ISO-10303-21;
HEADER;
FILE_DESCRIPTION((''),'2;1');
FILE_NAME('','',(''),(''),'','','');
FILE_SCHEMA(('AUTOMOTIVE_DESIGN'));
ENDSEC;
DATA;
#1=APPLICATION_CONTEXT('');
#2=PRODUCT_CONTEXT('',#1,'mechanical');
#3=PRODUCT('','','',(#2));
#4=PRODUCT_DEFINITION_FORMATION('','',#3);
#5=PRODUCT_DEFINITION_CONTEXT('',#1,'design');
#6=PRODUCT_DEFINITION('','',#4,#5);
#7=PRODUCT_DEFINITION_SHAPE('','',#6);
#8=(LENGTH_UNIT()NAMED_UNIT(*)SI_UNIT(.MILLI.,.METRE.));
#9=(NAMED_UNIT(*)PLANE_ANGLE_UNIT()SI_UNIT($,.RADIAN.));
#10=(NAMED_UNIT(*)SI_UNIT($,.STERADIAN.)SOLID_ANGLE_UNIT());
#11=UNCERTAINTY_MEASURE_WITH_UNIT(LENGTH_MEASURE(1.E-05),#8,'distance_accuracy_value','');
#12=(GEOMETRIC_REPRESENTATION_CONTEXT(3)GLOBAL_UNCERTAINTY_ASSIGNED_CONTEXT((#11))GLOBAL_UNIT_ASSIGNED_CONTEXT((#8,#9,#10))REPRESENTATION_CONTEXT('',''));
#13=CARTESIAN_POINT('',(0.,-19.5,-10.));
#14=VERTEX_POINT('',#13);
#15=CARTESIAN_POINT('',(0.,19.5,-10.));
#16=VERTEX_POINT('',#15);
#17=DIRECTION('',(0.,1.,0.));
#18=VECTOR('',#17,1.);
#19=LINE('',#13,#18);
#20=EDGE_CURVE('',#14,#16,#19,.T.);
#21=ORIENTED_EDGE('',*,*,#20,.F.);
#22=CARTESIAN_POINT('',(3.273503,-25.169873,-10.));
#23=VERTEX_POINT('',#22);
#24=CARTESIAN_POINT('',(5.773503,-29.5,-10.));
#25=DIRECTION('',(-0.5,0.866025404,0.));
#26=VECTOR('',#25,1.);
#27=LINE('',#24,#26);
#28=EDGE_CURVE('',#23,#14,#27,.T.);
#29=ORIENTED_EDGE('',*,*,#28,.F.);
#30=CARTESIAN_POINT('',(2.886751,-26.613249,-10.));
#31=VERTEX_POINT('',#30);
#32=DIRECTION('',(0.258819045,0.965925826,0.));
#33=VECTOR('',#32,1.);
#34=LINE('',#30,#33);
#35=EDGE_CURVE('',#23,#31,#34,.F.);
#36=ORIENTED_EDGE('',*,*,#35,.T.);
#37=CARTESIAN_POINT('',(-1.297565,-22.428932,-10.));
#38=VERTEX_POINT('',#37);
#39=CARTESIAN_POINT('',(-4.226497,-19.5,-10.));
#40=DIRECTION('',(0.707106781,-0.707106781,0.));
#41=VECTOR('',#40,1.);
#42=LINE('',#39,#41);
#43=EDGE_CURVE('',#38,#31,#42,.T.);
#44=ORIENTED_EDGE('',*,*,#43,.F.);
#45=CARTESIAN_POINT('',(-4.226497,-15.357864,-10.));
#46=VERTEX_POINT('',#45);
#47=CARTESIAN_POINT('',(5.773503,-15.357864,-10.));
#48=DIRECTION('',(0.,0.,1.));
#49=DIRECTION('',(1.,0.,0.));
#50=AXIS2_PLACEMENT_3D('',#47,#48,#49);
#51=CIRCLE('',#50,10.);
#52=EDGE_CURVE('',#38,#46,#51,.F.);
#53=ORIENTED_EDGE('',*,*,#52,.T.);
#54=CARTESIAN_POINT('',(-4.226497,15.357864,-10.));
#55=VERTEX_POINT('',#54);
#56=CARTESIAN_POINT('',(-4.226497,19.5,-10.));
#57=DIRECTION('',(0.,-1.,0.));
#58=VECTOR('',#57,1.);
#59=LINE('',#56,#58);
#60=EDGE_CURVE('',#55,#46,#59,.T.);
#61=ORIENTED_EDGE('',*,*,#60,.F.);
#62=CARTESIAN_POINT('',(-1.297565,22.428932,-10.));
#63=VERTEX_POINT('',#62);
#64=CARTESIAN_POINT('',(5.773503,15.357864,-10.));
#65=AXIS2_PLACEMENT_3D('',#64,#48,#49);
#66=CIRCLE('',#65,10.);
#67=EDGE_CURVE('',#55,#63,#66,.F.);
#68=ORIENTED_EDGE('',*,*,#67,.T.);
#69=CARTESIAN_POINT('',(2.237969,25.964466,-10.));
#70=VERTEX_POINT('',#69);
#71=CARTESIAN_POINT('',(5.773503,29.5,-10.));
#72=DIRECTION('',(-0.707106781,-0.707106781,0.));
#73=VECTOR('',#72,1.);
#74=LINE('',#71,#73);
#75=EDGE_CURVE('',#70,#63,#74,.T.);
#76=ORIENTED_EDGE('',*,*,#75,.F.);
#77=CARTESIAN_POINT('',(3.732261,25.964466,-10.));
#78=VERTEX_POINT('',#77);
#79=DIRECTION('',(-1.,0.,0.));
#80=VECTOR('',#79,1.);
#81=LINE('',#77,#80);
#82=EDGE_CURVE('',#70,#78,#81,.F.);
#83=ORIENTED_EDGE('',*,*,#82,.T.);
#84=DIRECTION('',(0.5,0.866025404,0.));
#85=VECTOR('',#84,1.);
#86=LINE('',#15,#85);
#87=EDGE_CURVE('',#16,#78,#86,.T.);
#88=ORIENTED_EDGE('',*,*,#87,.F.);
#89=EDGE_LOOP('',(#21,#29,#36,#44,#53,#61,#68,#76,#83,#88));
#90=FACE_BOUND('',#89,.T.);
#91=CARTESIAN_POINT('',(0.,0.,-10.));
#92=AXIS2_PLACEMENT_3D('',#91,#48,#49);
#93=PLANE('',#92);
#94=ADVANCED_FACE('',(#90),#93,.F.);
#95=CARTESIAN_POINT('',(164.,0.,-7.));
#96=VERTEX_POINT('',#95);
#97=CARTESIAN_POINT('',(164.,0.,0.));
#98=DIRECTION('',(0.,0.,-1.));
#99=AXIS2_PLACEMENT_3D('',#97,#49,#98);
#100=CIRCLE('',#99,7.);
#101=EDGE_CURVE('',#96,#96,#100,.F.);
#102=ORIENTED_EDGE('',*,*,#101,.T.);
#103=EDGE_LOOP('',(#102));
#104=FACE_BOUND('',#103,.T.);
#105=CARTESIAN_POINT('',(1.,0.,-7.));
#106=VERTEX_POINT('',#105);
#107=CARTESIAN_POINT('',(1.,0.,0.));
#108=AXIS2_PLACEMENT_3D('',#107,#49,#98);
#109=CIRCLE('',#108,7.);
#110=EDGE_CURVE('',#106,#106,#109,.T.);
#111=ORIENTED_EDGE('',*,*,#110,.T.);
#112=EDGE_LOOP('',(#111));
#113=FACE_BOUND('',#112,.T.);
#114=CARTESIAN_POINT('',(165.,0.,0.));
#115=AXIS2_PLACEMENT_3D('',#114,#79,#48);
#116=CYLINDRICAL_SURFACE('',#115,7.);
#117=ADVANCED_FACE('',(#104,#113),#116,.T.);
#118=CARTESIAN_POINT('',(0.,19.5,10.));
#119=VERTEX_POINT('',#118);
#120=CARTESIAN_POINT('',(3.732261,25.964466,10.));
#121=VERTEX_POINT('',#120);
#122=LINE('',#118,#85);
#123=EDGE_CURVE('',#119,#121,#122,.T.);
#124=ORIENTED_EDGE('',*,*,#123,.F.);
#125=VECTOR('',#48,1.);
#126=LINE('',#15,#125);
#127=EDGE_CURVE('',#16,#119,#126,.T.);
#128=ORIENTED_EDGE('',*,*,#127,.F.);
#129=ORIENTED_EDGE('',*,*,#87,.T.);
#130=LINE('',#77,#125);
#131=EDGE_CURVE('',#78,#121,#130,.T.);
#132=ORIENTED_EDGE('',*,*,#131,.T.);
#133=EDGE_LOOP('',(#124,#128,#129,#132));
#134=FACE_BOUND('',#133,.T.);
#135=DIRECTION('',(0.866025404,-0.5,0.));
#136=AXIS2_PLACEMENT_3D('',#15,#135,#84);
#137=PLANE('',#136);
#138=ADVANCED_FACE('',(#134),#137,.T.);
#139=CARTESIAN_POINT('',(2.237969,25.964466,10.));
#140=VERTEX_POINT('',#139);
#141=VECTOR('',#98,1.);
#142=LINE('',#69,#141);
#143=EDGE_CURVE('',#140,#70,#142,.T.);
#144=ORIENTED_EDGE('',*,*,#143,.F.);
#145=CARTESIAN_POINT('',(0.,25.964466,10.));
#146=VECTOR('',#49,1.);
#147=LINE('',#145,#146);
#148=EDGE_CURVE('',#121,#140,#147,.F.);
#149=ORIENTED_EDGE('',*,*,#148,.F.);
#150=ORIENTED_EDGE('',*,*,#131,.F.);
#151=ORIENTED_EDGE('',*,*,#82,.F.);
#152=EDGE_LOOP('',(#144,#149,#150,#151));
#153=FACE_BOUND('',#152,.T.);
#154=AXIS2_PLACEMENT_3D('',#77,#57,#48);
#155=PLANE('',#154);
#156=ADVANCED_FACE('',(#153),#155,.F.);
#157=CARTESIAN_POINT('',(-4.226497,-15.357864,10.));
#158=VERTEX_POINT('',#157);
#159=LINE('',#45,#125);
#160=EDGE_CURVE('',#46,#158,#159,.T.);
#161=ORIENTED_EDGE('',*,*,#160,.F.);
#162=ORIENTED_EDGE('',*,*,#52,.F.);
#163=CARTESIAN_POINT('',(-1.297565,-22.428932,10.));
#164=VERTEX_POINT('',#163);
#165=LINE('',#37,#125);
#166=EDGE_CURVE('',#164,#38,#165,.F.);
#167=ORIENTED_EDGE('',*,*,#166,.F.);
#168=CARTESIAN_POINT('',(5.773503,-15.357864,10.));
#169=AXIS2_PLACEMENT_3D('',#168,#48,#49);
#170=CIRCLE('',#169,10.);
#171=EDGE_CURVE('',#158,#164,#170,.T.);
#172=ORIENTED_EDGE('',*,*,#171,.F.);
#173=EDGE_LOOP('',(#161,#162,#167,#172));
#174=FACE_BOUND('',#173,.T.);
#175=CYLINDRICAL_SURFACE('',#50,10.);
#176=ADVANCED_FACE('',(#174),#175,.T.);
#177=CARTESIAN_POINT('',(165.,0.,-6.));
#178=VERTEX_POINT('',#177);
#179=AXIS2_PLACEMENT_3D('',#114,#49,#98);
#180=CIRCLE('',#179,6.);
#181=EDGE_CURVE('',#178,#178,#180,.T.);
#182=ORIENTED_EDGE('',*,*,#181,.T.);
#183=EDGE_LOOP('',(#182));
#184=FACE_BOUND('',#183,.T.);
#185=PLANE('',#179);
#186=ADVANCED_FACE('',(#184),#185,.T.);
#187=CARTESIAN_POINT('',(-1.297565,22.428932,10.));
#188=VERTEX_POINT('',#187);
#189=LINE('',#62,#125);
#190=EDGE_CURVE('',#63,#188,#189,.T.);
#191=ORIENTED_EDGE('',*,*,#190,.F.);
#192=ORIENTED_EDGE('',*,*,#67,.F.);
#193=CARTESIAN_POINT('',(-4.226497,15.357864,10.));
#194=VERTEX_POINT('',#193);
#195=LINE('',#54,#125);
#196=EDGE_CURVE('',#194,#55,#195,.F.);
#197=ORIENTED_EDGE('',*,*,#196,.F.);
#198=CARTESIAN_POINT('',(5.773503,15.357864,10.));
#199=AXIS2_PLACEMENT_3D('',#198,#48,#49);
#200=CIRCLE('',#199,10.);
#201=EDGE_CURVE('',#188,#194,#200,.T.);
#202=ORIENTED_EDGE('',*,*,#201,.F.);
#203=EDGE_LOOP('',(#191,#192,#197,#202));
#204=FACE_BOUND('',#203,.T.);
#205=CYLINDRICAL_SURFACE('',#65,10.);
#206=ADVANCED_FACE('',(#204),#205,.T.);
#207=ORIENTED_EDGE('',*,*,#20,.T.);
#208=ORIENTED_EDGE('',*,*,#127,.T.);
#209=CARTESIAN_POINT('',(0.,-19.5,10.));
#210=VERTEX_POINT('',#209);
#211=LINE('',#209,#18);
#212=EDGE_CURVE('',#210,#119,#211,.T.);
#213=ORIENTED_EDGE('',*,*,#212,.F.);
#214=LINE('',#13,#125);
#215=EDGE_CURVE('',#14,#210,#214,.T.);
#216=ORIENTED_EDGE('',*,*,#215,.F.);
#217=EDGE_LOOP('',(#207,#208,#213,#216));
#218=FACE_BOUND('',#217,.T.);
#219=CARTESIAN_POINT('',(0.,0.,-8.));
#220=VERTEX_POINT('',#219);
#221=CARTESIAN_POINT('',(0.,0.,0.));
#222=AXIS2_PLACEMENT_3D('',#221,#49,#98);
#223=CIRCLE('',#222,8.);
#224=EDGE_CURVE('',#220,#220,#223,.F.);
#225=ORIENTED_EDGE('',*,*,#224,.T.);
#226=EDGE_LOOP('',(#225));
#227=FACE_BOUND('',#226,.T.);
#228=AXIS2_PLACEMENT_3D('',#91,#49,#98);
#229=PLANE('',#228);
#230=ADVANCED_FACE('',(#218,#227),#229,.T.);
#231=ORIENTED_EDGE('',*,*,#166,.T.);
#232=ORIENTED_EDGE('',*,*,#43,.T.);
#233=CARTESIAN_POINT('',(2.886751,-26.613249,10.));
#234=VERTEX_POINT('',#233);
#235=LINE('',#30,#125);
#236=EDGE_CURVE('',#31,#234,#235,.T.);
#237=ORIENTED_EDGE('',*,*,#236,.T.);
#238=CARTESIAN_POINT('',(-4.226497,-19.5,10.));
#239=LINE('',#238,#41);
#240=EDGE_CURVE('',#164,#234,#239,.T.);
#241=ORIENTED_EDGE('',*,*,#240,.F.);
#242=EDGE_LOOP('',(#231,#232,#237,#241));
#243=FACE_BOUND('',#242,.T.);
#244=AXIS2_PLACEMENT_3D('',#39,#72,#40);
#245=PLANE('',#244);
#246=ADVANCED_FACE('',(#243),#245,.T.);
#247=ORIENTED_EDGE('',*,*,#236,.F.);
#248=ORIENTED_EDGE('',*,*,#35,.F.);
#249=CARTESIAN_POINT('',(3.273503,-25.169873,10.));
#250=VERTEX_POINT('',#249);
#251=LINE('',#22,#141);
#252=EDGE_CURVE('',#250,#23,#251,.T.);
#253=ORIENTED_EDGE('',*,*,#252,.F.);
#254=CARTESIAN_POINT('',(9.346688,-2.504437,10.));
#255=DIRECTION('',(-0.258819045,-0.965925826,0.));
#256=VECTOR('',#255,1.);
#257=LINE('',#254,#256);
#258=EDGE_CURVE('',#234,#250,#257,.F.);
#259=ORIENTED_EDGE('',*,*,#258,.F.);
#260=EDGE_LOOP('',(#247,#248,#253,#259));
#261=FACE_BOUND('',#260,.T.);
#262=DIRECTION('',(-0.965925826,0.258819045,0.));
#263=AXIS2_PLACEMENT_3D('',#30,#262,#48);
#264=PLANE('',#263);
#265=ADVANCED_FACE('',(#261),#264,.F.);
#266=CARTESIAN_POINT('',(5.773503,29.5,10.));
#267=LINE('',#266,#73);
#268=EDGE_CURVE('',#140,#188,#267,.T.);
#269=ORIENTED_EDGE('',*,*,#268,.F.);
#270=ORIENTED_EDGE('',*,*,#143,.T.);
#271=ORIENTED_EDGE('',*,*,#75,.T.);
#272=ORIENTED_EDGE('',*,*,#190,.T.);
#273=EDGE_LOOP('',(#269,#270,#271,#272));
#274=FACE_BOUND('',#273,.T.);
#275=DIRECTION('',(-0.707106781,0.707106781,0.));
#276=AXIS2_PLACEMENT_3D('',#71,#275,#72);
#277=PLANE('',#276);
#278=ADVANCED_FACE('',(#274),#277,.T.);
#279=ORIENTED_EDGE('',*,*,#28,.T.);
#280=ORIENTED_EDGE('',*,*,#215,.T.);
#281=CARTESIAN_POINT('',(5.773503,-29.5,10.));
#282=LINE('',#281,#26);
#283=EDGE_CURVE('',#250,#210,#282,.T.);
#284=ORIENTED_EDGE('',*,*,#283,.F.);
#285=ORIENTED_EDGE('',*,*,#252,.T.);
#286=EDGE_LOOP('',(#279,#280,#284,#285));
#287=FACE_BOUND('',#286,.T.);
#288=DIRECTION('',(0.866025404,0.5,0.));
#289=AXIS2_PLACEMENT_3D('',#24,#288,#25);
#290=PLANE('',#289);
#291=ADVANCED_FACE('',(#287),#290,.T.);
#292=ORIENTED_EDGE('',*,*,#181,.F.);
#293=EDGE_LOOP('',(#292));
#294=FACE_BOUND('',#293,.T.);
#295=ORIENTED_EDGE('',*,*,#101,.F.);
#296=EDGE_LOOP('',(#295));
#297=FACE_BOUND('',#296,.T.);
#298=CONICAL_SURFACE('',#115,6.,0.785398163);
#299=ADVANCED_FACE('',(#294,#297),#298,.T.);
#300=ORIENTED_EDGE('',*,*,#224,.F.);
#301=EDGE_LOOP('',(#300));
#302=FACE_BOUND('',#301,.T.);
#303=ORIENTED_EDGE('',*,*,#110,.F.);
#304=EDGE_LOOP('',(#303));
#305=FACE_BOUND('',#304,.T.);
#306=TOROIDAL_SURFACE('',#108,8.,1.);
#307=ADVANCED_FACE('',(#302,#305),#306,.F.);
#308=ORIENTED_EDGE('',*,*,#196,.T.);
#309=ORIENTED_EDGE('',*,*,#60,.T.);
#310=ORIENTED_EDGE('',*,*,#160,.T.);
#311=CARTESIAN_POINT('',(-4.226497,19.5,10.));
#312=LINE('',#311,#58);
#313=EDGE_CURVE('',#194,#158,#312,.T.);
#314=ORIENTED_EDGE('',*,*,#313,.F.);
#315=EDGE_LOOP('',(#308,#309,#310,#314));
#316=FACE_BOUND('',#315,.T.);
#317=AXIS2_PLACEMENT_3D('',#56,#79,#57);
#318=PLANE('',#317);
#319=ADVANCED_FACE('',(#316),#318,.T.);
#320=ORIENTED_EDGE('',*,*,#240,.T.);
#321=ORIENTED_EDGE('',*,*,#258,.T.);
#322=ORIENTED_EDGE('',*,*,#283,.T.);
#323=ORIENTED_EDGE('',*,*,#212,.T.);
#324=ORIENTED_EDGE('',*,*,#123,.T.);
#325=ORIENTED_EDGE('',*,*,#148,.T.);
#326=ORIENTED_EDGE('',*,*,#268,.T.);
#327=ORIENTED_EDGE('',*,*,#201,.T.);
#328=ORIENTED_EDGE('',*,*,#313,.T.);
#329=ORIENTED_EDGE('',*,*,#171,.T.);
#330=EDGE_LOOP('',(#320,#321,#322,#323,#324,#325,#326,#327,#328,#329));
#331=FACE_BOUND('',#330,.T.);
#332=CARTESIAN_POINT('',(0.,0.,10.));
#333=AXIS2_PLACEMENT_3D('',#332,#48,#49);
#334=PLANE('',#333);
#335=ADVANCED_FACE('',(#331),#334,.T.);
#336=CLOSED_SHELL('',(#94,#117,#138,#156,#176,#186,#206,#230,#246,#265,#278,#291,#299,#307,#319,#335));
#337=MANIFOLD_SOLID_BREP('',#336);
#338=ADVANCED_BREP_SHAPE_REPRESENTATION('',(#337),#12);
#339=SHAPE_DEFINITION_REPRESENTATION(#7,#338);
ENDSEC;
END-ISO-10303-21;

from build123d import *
from OCP.BRepFilletAPI import BRepFilletAPI_MakeChamfer

# Parameters (mm, degrees)
SZKIC1_R                         = 7
DODANIE_WYCI_GNI_CIE1_DEPTH      = 165
DODANIE_WYCI_GNI_CIE2_DEPTH      = 10
DODANIE_WYCI_GNI_CIE2_DEPTH_BACK = 10
SFAZOWANIE1_SIZE                 = 5
SFAZOWANIE1_SIZE2                = 4.082482905
SFAZOWANIE2_SIZE                 = 1
ZAOKR_GLENIE1_R                  = 10
ZAOKR_GLENIE2_R                  = 1


with BuildPart() as part:
    # Szkic1 → Dodanie-wyciągnięcie1 (new body)
    with BuildSketch(Plane(origin=(0, 0, 0), x_dir=(0, 0, -1), z_dir=(1, 0, 0))):
        Circle(SZKIC1_R)
    extrude(amount=DODANIE_WYCI_GNI_CIE1_DEPTH)

    # Szkic2 → Dodanie-wyciągnięcie2 (add, two sides: drawn at the far end of the back side and taken through both)
    with BuildSketch(Plane.XY.offset(-DODANIE_WYCI_GNI_CIE2_DEPTH_BACK)):
        Polygon((0, 0), (0, 19.5), (5.773502692, 29.5), (-4.226497308, 19.5), (-4.226497308, -19.5), (5.773502692, -29.5), (0, -19.5), align=None)
    extrude(amount=DODANIE_WYCI_GNI_CIE2_DEPTH + DODANIE_WYCI_GNI_CIE2_DEPTH_BACK)

    # Sfazowanie1: one chamfer whose edges measure the first distance from different faces: ONE call of the kernel's chamfer builder (chamfer() names one face for all edges)
    sfazowanie1_edges_1 = [part.edges().sort_by_distance(p)[0] for p in [
        (5.773502692, -29.5, 0),
    ]]
    sfazowanie1_side_1 = [part.faces().sort_by_distance(p)[0] for p in [
        (2.886751346, -24.5, 0),
    ]]
    sfazowanie1_edges_2 = [part.edges().sort_by_distance(p)[0] for p in [
        (5.773502692, 29.5, 0),
    ]]
    sfazowanie1_side_2 = [part.faces().sort_by_distance(p)[0] for p in [
        (0.773502692, 24.5, 0),
    ]]
    sfazowanie1 = BRepFilletAPI_MakeChamfer(part.part.solid().wrapped)
    for e in sfazowanie1_edges_1:
        sfazowanie1.Add(SFAZOWANIE1_SIZE, SFAZOWANIE1_SIZE2, e.wrapped, sfazowanie1_side_1[0].wrapped)  # the first distance lies on this face
    for e in sfazowanie1_edges_2:
        sfazowanie1.Add(SFAZOWANIE1_SIZE, SFAZOWANIE1_SIZE2, e.wrapped, sfazowanie1_side_2[0].wrapped)  # the first distance lies on this face
    add(Compound.cast(sfazowanie1.Shape()), mode=Mode.REPLACE)

    # Sfazowanie2
    sfazowanie2_edges = [part.edges().sort_by_distance(p)[0] for p in [
        (165, 0, 7),
    ]]
    chamfer(sfazowanie2_edges, length=SFAZOWANIE2_SIZE)

    # Zaokrąglenie1
    zaokr_glenie1_edges = [part.edges().sort_by_distance(p)[0] for p in [
        (-4.226497308, -19.5, 0),
        (-4.226497308, 19.5, 0),
    ]]
    fillet(zaokr_glenie1_edges, radius=ZAOKR_GLENIE1_R)

    # Zaokrąglenie2
    zaokr_glenie2_edges = [part.edges().sort_by_distance(p)[0] for p in [
        (0, 0, 7),
    ]]
    fillet(zaokr_glenie2_edges, radius=ZAOKR_GLENIE2_R)


solid = part.part
